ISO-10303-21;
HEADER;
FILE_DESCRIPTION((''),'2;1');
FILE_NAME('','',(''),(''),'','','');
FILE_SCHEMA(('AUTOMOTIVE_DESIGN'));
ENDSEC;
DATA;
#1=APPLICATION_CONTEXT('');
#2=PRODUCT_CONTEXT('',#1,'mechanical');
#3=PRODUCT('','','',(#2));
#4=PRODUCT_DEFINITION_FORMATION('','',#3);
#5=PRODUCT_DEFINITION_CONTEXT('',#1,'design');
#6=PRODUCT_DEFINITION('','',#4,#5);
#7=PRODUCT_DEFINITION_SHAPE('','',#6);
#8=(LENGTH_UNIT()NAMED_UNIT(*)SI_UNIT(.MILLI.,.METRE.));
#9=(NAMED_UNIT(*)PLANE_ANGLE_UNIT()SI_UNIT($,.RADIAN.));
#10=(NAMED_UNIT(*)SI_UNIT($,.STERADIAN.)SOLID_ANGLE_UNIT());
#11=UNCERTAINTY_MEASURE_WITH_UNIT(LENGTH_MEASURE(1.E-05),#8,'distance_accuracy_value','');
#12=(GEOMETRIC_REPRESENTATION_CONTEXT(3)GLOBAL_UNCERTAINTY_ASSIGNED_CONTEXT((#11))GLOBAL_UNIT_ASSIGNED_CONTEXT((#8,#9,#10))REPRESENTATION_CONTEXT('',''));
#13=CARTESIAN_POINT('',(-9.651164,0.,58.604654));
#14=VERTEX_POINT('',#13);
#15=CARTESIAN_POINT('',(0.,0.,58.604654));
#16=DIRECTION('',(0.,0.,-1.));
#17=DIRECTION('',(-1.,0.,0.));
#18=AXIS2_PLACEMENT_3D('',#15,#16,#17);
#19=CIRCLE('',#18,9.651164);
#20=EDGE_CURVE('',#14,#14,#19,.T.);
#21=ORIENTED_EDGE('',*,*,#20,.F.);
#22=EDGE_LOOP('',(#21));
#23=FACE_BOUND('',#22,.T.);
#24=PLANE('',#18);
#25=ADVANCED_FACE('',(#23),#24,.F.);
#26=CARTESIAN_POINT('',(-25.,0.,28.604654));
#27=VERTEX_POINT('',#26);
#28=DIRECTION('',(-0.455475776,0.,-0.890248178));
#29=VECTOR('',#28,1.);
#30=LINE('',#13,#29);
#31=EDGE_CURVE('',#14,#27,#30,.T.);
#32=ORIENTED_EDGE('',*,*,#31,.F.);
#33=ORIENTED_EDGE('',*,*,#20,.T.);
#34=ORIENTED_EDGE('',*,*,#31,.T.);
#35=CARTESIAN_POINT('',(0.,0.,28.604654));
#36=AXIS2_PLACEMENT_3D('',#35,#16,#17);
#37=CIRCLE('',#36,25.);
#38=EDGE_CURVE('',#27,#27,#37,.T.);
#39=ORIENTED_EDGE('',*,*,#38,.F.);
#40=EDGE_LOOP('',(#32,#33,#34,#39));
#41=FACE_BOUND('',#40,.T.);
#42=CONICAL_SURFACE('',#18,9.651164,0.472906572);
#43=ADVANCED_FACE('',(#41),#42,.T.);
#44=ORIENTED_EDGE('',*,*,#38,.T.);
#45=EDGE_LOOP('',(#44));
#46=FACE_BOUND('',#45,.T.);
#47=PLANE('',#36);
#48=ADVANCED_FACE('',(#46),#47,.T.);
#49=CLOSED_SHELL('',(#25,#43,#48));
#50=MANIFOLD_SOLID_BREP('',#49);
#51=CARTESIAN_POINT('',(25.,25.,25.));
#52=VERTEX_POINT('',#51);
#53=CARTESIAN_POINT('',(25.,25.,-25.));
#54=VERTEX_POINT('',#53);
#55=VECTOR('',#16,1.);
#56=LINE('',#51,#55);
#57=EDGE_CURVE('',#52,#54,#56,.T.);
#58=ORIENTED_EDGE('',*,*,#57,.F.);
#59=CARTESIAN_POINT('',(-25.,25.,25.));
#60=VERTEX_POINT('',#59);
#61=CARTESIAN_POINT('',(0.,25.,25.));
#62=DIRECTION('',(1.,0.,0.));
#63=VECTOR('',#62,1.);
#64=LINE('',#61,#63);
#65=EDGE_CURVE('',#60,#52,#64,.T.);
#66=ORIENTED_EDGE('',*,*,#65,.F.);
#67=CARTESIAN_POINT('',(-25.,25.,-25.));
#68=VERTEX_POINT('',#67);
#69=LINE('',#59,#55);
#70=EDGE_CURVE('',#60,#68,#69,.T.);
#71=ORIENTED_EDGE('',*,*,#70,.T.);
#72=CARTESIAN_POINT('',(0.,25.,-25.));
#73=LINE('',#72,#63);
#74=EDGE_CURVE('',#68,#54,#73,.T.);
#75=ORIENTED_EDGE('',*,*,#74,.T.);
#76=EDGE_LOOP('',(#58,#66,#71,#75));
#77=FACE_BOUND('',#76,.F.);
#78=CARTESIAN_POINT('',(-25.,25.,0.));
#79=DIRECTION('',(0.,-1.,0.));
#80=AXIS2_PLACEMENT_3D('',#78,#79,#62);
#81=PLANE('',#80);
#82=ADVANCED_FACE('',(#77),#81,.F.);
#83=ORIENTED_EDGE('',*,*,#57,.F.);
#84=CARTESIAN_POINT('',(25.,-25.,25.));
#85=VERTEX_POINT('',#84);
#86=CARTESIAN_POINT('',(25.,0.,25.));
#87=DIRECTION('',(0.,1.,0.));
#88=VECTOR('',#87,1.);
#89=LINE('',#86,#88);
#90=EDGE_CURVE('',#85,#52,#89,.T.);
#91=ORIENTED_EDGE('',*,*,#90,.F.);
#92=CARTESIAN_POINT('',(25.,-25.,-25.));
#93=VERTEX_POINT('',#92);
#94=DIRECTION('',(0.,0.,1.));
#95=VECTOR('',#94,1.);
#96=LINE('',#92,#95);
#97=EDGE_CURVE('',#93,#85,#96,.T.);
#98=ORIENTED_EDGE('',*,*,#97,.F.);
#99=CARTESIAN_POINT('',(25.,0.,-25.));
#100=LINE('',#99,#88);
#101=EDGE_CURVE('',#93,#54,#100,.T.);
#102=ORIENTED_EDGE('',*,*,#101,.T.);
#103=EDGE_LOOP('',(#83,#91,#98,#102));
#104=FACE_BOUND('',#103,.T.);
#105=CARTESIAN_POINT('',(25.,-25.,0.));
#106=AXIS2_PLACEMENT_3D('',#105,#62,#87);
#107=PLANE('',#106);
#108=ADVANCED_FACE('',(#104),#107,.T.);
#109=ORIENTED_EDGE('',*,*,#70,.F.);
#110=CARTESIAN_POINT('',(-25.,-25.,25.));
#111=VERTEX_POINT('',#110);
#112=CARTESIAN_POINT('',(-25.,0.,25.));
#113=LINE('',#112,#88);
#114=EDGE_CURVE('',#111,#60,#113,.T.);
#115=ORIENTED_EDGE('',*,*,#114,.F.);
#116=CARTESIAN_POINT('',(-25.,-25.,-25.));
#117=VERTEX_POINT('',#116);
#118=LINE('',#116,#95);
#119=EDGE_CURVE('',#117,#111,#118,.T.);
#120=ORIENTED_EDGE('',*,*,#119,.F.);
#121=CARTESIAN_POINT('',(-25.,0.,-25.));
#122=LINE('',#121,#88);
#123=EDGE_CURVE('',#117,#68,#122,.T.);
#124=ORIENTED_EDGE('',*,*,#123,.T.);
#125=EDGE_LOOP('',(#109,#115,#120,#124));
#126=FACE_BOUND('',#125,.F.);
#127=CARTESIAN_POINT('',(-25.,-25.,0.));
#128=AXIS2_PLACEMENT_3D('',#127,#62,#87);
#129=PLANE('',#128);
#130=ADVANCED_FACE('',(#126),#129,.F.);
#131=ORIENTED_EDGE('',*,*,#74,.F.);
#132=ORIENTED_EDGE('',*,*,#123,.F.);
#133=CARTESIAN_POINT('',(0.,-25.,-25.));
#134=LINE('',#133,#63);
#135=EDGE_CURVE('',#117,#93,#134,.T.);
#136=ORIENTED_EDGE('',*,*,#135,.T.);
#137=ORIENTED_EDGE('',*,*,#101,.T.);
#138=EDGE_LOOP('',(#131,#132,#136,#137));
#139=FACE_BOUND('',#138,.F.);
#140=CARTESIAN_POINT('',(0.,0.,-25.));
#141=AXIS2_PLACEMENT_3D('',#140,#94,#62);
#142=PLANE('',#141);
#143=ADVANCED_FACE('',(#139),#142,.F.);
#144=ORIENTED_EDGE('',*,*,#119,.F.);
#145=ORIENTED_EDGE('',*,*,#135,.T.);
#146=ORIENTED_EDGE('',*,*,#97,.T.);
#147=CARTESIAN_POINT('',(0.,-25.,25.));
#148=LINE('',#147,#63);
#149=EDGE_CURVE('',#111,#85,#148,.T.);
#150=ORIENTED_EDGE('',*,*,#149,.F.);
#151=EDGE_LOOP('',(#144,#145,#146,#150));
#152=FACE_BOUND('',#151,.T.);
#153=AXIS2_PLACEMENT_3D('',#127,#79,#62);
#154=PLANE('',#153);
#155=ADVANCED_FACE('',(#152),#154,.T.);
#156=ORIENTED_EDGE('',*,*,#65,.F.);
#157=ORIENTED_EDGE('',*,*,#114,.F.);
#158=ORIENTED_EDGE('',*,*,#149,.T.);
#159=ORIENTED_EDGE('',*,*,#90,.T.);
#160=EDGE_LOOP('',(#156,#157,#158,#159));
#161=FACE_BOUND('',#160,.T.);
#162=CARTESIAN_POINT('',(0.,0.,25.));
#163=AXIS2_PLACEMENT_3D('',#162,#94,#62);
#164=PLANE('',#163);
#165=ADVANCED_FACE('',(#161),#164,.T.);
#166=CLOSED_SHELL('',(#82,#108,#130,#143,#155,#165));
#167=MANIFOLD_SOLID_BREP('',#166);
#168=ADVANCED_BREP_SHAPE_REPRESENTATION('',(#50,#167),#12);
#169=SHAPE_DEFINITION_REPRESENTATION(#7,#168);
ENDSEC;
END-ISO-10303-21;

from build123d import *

# Parameters (mm, degrees)
F0_W     = 50
F0_H     = 50
F1_DEPTH = 25


with BuildPart() as f1:
    # F0 (on Top) → F1 (new body, symmetric)
    with BuildSketch(Plane.XY):
        Rectangle(F0_W, F0_H)
    extrude(amount=F1_DEPTH, both=True)


with BuildPart() as f4:
    # F3 (on Front) → F4 (revolve)
    with BuildSketch(Plane.XZ):
        Polygon((0, 28.604654), (0, 58.604654), (-9.651164, 58.604654), (-25, 28.604654), align=None)
    revolve(axis=Axis((0, 0, 19.298827), (0, 0, -1)))


solid = Compound([f1.part, f4.part])
